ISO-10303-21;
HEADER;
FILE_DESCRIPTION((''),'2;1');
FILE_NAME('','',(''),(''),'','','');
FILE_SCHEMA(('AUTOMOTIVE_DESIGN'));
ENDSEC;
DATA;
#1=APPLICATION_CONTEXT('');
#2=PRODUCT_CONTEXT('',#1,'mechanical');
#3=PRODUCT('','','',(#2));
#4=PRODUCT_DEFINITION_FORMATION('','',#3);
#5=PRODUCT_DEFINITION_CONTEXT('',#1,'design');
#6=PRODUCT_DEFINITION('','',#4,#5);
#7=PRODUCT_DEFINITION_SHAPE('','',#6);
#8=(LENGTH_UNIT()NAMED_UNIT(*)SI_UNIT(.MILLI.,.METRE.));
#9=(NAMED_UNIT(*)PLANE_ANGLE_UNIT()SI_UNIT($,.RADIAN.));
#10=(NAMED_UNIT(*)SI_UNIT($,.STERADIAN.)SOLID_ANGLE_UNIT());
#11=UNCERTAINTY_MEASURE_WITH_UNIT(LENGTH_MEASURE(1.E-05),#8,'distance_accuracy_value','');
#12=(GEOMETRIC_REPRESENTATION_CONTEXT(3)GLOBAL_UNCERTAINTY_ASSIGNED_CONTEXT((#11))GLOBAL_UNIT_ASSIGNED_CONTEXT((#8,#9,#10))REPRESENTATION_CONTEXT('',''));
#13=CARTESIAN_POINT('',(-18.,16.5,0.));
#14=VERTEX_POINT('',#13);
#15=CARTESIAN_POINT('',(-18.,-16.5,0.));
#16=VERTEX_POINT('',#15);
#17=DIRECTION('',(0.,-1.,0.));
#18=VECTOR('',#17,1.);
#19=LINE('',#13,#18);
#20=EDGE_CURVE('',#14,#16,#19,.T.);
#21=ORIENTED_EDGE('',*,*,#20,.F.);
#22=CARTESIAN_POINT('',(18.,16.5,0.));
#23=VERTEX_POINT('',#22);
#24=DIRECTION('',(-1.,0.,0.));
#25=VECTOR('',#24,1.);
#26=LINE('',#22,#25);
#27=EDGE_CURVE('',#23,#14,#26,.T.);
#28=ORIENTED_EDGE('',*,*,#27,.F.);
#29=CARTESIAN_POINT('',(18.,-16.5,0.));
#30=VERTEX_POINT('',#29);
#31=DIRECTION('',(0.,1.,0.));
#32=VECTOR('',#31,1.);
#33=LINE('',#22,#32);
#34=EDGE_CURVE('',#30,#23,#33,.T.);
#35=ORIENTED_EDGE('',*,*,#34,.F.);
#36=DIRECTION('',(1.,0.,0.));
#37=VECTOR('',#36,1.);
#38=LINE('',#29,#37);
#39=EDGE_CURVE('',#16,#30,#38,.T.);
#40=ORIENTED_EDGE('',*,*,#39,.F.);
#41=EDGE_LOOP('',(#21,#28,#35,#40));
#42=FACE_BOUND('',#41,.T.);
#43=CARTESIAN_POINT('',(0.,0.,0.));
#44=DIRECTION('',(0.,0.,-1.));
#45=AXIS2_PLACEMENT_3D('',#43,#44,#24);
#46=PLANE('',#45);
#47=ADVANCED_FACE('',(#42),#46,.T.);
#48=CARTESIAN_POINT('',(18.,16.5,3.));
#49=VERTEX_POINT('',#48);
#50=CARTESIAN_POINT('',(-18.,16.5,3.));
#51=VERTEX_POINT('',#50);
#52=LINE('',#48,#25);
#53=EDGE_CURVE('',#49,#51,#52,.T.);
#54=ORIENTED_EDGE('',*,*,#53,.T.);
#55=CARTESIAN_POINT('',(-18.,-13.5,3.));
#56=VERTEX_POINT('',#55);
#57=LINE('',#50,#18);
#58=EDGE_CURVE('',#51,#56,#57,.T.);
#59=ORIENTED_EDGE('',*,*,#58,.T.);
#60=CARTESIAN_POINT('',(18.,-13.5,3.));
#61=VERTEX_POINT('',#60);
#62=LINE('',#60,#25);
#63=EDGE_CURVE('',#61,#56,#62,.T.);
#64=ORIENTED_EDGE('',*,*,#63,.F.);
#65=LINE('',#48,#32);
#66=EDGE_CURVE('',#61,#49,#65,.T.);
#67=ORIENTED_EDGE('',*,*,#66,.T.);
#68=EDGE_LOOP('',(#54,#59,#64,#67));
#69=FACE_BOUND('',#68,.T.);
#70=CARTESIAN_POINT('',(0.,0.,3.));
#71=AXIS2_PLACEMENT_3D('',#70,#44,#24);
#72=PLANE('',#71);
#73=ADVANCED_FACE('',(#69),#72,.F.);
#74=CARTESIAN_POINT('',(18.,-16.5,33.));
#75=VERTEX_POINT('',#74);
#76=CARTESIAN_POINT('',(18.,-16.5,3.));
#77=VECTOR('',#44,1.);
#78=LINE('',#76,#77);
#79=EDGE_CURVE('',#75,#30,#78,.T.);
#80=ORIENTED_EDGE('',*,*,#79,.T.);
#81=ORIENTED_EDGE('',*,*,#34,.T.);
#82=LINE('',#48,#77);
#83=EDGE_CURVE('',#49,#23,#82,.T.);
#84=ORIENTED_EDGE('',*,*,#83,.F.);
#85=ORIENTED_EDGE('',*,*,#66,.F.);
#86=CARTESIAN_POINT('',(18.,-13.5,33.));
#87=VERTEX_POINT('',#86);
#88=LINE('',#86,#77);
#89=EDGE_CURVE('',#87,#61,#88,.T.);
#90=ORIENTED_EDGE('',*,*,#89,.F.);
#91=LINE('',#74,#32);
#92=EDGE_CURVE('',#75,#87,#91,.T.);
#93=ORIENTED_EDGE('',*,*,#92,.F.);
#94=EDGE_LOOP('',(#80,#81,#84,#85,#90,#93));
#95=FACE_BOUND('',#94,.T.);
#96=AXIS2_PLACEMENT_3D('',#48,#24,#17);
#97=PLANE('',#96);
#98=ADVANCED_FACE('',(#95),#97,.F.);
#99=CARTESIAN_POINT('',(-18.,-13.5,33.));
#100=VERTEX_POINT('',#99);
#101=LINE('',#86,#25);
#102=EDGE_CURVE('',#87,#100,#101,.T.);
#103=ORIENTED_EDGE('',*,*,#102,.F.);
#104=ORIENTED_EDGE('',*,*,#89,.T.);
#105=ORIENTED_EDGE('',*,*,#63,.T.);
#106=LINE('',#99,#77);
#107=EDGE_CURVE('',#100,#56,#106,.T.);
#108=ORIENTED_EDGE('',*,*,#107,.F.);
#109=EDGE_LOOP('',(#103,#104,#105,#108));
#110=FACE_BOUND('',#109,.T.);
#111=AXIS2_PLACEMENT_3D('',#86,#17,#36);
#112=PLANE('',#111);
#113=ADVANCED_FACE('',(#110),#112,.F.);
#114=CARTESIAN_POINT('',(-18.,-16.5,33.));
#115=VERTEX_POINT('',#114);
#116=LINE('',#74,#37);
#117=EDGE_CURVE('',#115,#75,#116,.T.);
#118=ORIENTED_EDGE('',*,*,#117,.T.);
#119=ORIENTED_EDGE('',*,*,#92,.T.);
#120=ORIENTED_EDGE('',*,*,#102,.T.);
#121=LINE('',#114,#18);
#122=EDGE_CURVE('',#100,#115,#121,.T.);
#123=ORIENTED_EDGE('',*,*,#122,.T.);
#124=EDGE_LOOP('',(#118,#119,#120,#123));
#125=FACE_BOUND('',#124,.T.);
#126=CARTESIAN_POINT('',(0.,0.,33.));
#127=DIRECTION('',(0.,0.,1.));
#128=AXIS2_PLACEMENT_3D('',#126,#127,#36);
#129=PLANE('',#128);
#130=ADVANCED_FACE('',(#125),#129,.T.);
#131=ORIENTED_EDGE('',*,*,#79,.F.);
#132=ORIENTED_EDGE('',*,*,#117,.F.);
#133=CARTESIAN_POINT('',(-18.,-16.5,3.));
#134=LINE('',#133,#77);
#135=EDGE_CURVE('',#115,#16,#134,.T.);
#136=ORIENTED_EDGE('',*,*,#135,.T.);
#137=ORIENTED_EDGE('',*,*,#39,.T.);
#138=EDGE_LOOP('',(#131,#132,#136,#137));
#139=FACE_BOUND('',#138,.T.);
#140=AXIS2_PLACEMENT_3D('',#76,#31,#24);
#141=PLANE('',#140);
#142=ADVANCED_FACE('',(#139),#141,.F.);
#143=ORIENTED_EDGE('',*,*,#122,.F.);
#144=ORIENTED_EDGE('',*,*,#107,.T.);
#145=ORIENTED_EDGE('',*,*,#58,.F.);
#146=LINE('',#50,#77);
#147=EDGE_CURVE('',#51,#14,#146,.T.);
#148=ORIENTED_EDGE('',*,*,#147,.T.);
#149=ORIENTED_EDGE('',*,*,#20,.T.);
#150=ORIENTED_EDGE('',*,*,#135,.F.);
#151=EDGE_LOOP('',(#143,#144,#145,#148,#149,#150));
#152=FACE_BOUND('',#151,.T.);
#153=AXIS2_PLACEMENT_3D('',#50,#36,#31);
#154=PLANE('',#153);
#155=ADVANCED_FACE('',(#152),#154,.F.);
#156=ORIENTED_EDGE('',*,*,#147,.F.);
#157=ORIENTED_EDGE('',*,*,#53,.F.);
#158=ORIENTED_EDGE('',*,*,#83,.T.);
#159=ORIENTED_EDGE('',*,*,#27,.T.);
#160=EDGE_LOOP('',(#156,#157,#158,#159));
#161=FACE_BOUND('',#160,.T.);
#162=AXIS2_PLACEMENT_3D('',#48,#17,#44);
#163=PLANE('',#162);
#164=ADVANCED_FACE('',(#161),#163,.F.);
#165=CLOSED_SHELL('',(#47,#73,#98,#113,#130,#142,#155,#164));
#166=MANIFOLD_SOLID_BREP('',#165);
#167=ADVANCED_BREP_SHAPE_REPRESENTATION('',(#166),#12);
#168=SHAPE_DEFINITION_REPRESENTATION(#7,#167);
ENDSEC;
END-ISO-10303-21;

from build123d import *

# Parameters (mm, degrees)
SKETCH1_W           = 36
SKETCH1_H           = 33
BOSS_EXTRUDE1_DEPTH = 3
SKETCH2_W           = 36
SKETCH2_H           = 3
BOSS_EXTRUDE2_DEPTH = 30


with BuildPart() as part:
    # Sketch1 → Boss-Extrude1 (new body)
    with BuildSketch(Plane.XY):
        Rectangle(SKETCH1_W, SKETCH1_H)
    extrude(amount=BOSS_EXTRUDE1_DEPTH)

    # Sketch2 → Boss-Extrude2 (add)
    with BuildSketch(Plane.XY.offset(3)):
        with Locations((0, -15)):
            Rectangle(SKETCH2_W, SKETCH2_H)
    extrude(amount=BOSS_EXTRUDE2_DEPTH)


solid = part.part
